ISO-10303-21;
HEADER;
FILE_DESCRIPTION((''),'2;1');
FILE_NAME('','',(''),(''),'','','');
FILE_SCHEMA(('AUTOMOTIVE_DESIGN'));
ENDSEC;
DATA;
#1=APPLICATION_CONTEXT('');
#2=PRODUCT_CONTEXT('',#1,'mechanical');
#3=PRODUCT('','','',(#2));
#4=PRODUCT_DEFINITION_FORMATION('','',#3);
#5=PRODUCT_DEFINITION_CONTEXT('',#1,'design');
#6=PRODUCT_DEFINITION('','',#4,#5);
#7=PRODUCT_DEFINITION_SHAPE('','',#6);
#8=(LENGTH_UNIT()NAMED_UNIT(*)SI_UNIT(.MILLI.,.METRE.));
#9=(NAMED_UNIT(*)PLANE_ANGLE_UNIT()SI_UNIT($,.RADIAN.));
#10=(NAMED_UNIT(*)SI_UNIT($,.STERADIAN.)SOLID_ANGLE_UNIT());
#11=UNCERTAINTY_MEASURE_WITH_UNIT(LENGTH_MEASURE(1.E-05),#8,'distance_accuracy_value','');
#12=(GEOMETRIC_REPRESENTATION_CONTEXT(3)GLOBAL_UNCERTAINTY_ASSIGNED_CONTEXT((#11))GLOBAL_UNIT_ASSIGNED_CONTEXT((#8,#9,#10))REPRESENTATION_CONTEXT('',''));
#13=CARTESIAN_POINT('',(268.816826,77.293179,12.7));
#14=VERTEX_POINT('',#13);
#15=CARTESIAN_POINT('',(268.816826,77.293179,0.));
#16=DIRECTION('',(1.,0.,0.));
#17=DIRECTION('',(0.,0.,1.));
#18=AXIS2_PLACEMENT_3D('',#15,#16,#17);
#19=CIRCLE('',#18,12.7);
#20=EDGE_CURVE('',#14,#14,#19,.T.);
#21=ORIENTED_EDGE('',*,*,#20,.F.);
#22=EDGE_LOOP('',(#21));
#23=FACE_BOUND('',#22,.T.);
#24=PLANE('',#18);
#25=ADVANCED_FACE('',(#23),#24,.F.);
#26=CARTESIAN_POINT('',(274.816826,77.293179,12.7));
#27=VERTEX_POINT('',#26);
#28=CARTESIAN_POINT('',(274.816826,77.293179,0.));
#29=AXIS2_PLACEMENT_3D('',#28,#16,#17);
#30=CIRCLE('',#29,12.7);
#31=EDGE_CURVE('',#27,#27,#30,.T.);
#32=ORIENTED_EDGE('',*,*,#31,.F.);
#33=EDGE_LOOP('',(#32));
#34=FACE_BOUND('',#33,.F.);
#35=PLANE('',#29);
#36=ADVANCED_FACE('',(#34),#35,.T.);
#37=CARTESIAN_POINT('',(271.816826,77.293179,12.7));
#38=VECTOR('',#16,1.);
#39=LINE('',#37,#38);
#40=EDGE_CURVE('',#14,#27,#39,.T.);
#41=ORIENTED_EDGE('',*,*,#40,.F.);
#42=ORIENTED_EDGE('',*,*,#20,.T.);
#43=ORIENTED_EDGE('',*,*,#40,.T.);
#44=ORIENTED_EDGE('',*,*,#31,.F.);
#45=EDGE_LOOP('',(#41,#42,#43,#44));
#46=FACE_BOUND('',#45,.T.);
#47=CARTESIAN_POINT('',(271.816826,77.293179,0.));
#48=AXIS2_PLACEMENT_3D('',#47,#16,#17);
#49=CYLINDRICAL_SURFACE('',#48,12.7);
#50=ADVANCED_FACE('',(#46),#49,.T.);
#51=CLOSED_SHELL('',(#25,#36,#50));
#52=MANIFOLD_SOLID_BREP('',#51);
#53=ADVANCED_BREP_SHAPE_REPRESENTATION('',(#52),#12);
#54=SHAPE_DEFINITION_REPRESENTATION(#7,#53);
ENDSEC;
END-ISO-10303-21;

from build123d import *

# Parameters (mm, degrees)
SKETCH_1_W = 6
SKETCH_1_H = 12.7


with BuildPart() as part:
    # 草图1 → 旋转1 (revolve)
    with BuildSketch(Plane.XY, mode=Mode.PRIVATE) as revolve_1_sk:
        with Locations((271.816825871, 83.643179349)):
            Rectangle(SKETCH_1_W, SKETCH_1_H)
    revolve(revolve_1_sk.sketch.rotate(Axis((263.09327497, 77.293179349, 0), (1, 0, 0)), 90), axis=Axis((263.09327497, 77.293179349, 0), (1, 0, 0)))  # turned: the seam where the file's is


solid = part.part
